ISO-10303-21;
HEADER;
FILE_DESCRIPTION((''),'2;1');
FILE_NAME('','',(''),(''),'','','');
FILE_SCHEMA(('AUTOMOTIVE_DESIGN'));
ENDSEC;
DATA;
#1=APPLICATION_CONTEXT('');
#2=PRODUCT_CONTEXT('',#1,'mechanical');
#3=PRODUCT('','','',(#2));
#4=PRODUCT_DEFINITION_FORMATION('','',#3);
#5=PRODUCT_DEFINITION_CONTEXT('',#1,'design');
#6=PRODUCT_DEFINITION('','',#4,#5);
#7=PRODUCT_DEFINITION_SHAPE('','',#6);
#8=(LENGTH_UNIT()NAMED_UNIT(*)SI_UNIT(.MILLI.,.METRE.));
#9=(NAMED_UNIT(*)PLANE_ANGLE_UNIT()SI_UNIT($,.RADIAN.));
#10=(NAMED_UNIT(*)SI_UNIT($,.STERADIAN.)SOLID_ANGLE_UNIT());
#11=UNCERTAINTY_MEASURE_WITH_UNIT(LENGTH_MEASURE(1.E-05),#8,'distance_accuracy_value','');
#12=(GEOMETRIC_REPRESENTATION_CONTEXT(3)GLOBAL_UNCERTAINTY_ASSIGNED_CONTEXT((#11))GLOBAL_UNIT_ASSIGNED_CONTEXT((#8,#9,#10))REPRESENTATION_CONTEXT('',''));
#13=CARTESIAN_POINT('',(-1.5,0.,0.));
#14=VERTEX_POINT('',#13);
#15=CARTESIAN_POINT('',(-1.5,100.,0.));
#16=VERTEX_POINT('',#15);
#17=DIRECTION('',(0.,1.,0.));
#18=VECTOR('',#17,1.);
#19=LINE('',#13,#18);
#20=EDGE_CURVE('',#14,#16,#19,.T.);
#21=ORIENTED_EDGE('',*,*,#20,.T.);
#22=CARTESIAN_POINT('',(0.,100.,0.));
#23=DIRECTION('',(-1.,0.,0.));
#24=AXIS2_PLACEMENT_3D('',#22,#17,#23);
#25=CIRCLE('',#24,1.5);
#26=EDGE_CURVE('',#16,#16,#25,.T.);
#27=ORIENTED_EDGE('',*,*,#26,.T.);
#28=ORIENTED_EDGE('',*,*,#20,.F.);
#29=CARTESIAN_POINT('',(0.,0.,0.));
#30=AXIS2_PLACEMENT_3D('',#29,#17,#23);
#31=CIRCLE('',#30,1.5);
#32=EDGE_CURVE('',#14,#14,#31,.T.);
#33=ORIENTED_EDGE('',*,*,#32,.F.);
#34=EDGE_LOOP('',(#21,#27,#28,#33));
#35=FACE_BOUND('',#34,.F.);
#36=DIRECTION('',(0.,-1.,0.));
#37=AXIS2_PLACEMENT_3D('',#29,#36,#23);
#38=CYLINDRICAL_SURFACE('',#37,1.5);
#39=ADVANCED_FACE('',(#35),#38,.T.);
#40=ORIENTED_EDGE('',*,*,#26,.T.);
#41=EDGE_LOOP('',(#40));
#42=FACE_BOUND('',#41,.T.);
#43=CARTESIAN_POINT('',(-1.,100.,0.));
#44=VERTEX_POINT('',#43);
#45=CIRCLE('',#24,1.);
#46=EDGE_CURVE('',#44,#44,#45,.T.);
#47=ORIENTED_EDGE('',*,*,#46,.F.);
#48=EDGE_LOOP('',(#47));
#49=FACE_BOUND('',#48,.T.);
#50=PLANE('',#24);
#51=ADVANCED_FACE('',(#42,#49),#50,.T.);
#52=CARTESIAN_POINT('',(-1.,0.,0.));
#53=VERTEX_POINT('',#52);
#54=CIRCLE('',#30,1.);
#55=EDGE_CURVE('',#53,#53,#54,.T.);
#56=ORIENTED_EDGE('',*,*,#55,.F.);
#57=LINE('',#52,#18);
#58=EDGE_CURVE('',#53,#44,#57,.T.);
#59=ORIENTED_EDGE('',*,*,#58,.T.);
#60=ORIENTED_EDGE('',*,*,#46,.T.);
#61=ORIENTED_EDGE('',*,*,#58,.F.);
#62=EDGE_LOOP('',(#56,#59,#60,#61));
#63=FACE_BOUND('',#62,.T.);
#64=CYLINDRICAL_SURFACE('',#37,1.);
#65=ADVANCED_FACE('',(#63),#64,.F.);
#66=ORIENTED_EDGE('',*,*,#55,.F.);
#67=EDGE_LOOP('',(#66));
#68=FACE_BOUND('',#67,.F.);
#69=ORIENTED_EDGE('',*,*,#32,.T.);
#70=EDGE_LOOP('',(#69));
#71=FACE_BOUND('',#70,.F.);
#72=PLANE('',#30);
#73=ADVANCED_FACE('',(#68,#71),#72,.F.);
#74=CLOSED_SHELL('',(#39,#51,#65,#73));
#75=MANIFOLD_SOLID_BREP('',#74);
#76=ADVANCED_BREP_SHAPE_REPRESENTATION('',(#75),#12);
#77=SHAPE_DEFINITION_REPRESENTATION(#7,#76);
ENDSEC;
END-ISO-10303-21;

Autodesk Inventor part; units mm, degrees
ref_plane "YZ Plane" through (0, 0, 0) normal (1, 0, 0) x (0, 1, 0)
ref_plane "XZ Plane" through (0, 0, 0) normal (0, 1, 0) x (-1, 0, 0)
ref_plane "XY Plane" through (0, 0, 0) normal (0, 0, 1) x (1, 0, 0)
sketch "Sketch1" plane through (0, 0, 0) normal (0, 1, 0) x (-1, 0, 0)
  circle A0 centre (0, 0) radius 1.5
  circle A1 centre (0, 0) radius 1
  dimension "d0" = 3
  dimension "d1" = 2
extrude "Extrusion1" add sketch "Sketch1" along normal blind 100
properties part number "dummy_air_inlet_tube_3mm"
